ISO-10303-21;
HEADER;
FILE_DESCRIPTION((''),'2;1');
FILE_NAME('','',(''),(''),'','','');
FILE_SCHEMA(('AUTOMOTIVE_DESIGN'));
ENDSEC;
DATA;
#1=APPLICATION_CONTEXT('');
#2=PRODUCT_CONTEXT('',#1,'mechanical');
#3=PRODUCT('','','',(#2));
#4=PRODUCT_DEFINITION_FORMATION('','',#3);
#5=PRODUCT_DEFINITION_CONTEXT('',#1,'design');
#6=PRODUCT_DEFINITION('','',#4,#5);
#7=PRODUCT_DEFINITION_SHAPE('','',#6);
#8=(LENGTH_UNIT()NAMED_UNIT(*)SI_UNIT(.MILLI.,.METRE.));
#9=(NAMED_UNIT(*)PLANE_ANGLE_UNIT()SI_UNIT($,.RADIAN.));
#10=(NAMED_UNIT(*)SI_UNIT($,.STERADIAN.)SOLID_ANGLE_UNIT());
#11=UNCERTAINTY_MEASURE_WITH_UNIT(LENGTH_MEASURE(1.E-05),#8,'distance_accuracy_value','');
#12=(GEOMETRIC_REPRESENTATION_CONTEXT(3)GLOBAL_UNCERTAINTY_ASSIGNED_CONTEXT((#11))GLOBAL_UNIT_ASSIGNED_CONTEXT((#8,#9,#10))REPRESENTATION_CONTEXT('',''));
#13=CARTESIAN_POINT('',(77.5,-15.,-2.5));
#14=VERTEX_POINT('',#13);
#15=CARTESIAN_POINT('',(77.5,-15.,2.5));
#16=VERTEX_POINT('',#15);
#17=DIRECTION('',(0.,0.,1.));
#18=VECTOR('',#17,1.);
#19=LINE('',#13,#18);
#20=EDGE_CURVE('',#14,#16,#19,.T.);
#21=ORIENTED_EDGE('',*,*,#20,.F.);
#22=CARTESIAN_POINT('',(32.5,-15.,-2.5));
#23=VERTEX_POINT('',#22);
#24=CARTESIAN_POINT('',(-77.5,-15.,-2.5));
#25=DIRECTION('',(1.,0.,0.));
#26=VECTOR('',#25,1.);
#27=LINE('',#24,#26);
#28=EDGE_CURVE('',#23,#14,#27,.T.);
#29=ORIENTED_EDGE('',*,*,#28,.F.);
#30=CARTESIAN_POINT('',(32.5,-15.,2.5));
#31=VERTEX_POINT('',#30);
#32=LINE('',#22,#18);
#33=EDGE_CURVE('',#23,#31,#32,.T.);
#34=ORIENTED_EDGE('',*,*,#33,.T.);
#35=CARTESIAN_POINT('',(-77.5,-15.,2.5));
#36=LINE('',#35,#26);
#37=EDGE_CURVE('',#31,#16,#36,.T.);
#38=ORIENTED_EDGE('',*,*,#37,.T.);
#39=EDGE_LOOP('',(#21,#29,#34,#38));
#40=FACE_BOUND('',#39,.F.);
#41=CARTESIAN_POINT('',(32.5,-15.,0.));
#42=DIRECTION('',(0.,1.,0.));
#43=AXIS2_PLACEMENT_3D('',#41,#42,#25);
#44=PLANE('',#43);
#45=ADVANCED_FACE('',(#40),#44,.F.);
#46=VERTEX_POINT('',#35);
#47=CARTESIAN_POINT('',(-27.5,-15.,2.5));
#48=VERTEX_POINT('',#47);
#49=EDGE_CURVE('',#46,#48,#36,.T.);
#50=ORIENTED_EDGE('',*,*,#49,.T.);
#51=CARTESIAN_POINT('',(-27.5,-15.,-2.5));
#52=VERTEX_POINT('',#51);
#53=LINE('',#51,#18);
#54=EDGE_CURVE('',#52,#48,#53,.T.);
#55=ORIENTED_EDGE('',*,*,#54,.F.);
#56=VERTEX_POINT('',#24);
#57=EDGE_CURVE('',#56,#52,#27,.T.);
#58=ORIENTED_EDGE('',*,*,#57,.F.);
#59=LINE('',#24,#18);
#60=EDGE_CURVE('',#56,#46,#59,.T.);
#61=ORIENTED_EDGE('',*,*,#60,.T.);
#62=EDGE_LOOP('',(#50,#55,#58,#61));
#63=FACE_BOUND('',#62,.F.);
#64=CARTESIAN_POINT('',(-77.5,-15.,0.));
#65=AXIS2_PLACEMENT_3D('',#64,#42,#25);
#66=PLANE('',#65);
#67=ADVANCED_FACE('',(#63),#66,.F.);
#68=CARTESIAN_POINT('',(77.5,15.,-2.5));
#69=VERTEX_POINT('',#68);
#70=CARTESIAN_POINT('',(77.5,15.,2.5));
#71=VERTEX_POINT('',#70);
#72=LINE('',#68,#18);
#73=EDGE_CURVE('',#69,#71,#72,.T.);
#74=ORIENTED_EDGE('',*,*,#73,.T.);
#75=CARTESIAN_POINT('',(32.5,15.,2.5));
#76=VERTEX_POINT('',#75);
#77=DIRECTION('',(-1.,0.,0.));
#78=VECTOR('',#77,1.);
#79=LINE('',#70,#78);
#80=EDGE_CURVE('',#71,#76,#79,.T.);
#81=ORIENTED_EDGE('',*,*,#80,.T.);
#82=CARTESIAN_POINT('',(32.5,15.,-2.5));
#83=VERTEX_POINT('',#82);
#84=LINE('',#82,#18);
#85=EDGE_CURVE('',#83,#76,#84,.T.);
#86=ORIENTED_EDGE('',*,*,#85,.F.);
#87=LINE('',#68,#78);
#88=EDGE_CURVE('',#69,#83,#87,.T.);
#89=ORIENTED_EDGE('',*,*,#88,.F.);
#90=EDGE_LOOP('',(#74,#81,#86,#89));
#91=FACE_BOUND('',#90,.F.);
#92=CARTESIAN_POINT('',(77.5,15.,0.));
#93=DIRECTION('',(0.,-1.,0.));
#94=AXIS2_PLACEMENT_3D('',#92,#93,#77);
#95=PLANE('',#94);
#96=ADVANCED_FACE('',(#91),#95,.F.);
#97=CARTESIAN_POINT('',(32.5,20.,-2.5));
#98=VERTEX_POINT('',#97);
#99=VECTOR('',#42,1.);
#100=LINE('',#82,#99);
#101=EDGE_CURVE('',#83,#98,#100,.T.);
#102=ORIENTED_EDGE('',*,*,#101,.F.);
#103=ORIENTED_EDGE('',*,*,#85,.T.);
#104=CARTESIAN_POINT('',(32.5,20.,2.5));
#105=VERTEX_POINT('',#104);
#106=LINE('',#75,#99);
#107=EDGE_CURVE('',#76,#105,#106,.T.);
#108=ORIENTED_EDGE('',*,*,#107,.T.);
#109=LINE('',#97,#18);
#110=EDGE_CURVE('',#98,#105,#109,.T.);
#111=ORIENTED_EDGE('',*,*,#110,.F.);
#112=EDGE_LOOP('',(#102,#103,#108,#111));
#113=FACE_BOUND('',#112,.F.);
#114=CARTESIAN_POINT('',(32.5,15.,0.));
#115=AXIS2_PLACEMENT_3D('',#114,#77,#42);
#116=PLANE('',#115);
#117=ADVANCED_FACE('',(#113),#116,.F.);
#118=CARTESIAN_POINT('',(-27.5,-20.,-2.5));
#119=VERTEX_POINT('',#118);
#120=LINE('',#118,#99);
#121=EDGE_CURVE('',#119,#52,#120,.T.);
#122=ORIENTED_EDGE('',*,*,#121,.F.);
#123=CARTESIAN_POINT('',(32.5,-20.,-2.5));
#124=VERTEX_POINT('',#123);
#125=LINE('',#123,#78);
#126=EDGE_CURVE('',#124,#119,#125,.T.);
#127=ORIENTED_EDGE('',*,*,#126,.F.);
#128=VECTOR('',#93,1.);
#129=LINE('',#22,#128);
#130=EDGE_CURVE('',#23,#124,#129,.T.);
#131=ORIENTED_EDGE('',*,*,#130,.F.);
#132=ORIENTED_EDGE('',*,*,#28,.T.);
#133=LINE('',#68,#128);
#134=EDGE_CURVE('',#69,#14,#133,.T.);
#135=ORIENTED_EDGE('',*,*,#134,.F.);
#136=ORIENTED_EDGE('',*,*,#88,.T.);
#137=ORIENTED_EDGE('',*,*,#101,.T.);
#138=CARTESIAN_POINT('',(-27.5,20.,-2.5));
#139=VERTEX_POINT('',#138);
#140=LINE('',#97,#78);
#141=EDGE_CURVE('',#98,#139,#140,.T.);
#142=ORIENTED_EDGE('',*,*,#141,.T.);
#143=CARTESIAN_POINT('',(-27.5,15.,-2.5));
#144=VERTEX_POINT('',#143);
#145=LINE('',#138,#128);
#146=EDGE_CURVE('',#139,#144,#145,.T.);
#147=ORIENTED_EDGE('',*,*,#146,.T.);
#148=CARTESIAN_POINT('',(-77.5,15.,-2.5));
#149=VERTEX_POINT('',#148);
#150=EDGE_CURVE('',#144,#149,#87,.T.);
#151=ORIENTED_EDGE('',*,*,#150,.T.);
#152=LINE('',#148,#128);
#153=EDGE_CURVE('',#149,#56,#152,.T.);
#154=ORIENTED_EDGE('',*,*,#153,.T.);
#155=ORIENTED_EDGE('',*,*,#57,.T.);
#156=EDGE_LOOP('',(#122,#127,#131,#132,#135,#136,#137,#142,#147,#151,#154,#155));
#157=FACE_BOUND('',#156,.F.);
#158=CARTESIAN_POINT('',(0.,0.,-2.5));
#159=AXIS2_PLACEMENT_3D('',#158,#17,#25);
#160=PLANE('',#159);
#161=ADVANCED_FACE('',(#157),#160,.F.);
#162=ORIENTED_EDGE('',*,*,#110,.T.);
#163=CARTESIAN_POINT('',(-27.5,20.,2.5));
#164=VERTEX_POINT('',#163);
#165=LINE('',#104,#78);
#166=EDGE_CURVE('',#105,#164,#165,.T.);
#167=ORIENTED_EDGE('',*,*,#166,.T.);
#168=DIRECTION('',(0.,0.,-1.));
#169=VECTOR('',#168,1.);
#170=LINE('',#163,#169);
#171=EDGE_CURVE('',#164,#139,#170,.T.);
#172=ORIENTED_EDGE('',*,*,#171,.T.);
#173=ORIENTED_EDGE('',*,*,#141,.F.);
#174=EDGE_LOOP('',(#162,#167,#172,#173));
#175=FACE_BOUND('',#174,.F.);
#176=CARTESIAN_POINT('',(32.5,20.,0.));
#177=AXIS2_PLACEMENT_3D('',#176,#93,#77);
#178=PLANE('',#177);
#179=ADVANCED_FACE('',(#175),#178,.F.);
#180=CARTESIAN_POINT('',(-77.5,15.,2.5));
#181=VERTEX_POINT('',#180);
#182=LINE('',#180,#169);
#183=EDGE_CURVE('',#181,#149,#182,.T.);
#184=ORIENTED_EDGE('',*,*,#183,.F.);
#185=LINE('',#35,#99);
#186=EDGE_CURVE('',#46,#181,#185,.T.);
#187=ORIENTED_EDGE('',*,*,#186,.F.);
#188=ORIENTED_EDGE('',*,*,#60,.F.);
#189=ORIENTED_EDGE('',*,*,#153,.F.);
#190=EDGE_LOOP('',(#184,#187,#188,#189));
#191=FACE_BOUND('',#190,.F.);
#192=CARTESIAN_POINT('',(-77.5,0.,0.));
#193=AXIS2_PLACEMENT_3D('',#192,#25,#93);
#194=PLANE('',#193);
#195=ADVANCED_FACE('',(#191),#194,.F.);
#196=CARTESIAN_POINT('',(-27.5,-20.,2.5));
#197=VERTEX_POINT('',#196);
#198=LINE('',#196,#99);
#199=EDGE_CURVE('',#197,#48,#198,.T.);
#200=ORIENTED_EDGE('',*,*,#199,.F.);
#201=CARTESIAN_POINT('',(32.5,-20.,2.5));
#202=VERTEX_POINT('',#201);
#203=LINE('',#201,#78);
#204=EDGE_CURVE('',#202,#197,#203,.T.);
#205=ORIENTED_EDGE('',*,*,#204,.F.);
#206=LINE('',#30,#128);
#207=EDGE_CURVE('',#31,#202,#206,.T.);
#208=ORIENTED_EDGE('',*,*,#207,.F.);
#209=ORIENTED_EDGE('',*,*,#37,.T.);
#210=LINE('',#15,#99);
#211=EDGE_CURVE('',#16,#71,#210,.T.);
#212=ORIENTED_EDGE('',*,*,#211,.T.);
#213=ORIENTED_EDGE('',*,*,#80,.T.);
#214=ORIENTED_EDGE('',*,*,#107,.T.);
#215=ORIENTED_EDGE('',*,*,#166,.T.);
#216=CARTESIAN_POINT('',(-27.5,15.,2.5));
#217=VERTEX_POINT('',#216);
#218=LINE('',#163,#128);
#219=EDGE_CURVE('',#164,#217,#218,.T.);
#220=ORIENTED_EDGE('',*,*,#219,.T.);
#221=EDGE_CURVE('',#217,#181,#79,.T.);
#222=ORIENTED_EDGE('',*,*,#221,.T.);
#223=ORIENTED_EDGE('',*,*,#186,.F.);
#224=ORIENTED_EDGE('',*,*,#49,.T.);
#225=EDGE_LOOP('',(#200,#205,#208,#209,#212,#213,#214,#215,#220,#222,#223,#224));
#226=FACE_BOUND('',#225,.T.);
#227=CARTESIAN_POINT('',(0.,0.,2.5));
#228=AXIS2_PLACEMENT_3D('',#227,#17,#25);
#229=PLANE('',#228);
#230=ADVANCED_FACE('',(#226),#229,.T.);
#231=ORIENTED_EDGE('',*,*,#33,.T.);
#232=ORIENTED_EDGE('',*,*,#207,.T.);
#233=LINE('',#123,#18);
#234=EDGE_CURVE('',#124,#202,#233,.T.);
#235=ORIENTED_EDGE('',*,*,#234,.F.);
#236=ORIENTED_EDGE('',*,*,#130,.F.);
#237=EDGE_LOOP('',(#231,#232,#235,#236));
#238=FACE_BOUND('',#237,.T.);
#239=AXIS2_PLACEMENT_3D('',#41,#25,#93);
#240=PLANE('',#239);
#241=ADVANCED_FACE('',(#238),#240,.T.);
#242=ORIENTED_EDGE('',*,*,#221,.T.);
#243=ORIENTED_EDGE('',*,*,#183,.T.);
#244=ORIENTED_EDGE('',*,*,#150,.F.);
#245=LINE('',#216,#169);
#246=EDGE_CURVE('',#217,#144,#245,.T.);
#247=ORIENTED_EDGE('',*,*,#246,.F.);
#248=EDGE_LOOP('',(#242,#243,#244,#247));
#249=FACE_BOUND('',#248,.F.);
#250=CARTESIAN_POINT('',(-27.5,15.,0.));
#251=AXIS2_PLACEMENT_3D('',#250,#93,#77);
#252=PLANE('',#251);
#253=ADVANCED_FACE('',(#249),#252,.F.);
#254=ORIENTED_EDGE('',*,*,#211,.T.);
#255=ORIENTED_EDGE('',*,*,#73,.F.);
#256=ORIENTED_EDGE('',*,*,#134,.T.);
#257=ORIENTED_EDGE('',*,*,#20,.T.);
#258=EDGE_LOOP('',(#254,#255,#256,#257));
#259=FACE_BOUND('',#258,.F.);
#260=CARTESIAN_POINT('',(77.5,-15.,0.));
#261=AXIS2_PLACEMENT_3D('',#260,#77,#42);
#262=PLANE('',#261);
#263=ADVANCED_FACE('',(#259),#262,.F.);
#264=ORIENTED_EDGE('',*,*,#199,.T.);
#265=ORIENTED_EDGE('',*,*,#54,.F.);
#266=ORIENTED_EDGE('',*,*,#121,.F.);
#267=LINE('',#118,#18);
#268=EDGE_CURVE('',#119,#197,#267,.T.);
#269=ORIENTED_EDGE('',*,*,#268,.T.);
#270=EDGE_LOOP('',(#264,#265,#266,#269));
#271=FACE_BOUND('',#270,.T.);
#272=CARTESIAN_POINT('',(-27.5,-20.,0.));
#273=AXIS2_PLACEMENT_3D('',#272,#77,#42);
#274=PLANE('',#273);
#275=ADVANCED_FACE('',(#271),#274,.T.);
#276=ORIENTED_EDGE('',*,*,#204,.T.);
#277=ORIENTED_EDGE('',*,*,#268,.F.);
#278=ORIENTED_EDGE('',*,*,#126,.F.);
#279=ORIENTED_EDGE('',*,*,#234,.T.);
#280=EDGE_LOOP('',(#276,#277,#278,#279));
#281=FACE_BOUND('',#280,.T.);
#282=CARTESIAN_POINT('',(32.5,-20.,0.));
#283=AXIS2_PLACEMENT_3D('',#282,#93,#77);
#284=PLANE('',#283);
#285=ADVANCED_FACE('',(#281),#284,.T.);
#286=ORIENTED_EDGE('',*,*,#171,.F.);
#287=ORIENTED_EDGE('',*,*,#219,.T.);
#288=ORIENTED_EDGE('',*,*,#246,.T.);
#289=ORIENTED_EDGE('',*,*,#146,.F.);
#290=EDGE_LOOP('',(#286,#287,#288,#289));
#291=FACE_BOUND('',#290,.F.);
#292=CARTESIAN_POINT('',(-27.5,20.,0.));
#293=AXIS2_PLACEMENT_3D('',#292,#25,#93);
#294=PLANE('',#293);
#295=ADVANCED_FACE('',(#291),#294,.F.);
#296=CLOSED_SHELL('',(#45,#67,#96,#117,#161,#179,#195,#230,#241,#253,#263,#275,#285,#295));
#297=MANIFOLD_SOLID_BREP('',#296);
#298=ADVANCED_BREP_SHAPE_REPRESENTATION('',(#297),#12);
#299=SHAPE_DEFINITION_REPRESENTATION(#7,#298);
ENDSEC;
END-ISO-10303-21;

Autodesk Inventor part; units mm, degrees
ref_plane "YZ Plane" through (0, 0, 0) normal (1, 0, 0) x (0, 1, 0)
ref_plane "XZ Plane" through (0, 0, 0) normal (0, 1, 0) x (-1, 0, 0)
ref_plane "XY Plane" through (0, 0, 0) normal (0, 0, 1) x (1, 0, 0)
sketch "Sketch1" plane through (0, 0, 0) normal (0, 0, 1) x (1, 0, 0)
  line L0 (-77.5, -15) -> (77.5, -15)
  line L1 (77.5, -15) -> (77.5, 15)
  line L2 (77.5, 15) -> (-77.5, 15)
  line L3 (-77.5, 15) -> (-77.5, -15)
  line L4 (-77.5, -15) -> (77.5, 15) construction
  line L5 (77.5, -15) -> (-77.5, 15) construction
  line L6 (32.5, 20) -> (-27.5, 20)
  line L7 (-27.5, 20) -> (-27.5, 15)
  line L8 (-27.5, 15) -> (32.5, 15)
  line L9 (32.5, 15) -> (32.5, 20)
  line L10 (32.5, 20) -> (-27.5, 15) construction
  line L11 (-27.5, 20) -> (32.5, 15) construction
  line L12 (-77.5, 0) -> (77.5, 0)
  line L13 (32.5, -20) -> (-27.5, -20)
  line L14 (-27.5, -20) -> (-27.5, -15)
  line L15 (-27.5, -15) -> (32.5, -15)
  line L16 (32.5, -15) -> (32.5, -20)
  line L17 (32.5, -20) -> (-27.5, -15) construction
  line L18 (-27.5, -20) -> (32.5, -15) construction
  point P0 (0, 0)
  point P1 (2.5, 17.5)
  point P2 (2.5, 15)
  point P3 (2.5, -17.5)
  point P4 (2.5, -15)
  dimension "d0" = 155
  dimension "d1" = 30
  dimension "d2" = 60
  dimension "d3" = 5
  dimension "d4" = 45
extrude "Plate1" add sketch "Sketch1" along normal mid plane 5
equation "\"d5\" = Thickness"
equation "\"BendRadius\" = Thickness"
equation "\"BendReliefWidth\" = Thickness"
equation "\"BendReliefDepth\" = 0.5 * Thickness"
equation "\"TransitionRadius\" = BendRadius"
equation "\"JacobiRadiusSize\" = BendRadius"
equation "\"GapSize\" = Thickness"
equation "\"Thickness\" = 5"
properties part number "Path Base Fixation .1"
